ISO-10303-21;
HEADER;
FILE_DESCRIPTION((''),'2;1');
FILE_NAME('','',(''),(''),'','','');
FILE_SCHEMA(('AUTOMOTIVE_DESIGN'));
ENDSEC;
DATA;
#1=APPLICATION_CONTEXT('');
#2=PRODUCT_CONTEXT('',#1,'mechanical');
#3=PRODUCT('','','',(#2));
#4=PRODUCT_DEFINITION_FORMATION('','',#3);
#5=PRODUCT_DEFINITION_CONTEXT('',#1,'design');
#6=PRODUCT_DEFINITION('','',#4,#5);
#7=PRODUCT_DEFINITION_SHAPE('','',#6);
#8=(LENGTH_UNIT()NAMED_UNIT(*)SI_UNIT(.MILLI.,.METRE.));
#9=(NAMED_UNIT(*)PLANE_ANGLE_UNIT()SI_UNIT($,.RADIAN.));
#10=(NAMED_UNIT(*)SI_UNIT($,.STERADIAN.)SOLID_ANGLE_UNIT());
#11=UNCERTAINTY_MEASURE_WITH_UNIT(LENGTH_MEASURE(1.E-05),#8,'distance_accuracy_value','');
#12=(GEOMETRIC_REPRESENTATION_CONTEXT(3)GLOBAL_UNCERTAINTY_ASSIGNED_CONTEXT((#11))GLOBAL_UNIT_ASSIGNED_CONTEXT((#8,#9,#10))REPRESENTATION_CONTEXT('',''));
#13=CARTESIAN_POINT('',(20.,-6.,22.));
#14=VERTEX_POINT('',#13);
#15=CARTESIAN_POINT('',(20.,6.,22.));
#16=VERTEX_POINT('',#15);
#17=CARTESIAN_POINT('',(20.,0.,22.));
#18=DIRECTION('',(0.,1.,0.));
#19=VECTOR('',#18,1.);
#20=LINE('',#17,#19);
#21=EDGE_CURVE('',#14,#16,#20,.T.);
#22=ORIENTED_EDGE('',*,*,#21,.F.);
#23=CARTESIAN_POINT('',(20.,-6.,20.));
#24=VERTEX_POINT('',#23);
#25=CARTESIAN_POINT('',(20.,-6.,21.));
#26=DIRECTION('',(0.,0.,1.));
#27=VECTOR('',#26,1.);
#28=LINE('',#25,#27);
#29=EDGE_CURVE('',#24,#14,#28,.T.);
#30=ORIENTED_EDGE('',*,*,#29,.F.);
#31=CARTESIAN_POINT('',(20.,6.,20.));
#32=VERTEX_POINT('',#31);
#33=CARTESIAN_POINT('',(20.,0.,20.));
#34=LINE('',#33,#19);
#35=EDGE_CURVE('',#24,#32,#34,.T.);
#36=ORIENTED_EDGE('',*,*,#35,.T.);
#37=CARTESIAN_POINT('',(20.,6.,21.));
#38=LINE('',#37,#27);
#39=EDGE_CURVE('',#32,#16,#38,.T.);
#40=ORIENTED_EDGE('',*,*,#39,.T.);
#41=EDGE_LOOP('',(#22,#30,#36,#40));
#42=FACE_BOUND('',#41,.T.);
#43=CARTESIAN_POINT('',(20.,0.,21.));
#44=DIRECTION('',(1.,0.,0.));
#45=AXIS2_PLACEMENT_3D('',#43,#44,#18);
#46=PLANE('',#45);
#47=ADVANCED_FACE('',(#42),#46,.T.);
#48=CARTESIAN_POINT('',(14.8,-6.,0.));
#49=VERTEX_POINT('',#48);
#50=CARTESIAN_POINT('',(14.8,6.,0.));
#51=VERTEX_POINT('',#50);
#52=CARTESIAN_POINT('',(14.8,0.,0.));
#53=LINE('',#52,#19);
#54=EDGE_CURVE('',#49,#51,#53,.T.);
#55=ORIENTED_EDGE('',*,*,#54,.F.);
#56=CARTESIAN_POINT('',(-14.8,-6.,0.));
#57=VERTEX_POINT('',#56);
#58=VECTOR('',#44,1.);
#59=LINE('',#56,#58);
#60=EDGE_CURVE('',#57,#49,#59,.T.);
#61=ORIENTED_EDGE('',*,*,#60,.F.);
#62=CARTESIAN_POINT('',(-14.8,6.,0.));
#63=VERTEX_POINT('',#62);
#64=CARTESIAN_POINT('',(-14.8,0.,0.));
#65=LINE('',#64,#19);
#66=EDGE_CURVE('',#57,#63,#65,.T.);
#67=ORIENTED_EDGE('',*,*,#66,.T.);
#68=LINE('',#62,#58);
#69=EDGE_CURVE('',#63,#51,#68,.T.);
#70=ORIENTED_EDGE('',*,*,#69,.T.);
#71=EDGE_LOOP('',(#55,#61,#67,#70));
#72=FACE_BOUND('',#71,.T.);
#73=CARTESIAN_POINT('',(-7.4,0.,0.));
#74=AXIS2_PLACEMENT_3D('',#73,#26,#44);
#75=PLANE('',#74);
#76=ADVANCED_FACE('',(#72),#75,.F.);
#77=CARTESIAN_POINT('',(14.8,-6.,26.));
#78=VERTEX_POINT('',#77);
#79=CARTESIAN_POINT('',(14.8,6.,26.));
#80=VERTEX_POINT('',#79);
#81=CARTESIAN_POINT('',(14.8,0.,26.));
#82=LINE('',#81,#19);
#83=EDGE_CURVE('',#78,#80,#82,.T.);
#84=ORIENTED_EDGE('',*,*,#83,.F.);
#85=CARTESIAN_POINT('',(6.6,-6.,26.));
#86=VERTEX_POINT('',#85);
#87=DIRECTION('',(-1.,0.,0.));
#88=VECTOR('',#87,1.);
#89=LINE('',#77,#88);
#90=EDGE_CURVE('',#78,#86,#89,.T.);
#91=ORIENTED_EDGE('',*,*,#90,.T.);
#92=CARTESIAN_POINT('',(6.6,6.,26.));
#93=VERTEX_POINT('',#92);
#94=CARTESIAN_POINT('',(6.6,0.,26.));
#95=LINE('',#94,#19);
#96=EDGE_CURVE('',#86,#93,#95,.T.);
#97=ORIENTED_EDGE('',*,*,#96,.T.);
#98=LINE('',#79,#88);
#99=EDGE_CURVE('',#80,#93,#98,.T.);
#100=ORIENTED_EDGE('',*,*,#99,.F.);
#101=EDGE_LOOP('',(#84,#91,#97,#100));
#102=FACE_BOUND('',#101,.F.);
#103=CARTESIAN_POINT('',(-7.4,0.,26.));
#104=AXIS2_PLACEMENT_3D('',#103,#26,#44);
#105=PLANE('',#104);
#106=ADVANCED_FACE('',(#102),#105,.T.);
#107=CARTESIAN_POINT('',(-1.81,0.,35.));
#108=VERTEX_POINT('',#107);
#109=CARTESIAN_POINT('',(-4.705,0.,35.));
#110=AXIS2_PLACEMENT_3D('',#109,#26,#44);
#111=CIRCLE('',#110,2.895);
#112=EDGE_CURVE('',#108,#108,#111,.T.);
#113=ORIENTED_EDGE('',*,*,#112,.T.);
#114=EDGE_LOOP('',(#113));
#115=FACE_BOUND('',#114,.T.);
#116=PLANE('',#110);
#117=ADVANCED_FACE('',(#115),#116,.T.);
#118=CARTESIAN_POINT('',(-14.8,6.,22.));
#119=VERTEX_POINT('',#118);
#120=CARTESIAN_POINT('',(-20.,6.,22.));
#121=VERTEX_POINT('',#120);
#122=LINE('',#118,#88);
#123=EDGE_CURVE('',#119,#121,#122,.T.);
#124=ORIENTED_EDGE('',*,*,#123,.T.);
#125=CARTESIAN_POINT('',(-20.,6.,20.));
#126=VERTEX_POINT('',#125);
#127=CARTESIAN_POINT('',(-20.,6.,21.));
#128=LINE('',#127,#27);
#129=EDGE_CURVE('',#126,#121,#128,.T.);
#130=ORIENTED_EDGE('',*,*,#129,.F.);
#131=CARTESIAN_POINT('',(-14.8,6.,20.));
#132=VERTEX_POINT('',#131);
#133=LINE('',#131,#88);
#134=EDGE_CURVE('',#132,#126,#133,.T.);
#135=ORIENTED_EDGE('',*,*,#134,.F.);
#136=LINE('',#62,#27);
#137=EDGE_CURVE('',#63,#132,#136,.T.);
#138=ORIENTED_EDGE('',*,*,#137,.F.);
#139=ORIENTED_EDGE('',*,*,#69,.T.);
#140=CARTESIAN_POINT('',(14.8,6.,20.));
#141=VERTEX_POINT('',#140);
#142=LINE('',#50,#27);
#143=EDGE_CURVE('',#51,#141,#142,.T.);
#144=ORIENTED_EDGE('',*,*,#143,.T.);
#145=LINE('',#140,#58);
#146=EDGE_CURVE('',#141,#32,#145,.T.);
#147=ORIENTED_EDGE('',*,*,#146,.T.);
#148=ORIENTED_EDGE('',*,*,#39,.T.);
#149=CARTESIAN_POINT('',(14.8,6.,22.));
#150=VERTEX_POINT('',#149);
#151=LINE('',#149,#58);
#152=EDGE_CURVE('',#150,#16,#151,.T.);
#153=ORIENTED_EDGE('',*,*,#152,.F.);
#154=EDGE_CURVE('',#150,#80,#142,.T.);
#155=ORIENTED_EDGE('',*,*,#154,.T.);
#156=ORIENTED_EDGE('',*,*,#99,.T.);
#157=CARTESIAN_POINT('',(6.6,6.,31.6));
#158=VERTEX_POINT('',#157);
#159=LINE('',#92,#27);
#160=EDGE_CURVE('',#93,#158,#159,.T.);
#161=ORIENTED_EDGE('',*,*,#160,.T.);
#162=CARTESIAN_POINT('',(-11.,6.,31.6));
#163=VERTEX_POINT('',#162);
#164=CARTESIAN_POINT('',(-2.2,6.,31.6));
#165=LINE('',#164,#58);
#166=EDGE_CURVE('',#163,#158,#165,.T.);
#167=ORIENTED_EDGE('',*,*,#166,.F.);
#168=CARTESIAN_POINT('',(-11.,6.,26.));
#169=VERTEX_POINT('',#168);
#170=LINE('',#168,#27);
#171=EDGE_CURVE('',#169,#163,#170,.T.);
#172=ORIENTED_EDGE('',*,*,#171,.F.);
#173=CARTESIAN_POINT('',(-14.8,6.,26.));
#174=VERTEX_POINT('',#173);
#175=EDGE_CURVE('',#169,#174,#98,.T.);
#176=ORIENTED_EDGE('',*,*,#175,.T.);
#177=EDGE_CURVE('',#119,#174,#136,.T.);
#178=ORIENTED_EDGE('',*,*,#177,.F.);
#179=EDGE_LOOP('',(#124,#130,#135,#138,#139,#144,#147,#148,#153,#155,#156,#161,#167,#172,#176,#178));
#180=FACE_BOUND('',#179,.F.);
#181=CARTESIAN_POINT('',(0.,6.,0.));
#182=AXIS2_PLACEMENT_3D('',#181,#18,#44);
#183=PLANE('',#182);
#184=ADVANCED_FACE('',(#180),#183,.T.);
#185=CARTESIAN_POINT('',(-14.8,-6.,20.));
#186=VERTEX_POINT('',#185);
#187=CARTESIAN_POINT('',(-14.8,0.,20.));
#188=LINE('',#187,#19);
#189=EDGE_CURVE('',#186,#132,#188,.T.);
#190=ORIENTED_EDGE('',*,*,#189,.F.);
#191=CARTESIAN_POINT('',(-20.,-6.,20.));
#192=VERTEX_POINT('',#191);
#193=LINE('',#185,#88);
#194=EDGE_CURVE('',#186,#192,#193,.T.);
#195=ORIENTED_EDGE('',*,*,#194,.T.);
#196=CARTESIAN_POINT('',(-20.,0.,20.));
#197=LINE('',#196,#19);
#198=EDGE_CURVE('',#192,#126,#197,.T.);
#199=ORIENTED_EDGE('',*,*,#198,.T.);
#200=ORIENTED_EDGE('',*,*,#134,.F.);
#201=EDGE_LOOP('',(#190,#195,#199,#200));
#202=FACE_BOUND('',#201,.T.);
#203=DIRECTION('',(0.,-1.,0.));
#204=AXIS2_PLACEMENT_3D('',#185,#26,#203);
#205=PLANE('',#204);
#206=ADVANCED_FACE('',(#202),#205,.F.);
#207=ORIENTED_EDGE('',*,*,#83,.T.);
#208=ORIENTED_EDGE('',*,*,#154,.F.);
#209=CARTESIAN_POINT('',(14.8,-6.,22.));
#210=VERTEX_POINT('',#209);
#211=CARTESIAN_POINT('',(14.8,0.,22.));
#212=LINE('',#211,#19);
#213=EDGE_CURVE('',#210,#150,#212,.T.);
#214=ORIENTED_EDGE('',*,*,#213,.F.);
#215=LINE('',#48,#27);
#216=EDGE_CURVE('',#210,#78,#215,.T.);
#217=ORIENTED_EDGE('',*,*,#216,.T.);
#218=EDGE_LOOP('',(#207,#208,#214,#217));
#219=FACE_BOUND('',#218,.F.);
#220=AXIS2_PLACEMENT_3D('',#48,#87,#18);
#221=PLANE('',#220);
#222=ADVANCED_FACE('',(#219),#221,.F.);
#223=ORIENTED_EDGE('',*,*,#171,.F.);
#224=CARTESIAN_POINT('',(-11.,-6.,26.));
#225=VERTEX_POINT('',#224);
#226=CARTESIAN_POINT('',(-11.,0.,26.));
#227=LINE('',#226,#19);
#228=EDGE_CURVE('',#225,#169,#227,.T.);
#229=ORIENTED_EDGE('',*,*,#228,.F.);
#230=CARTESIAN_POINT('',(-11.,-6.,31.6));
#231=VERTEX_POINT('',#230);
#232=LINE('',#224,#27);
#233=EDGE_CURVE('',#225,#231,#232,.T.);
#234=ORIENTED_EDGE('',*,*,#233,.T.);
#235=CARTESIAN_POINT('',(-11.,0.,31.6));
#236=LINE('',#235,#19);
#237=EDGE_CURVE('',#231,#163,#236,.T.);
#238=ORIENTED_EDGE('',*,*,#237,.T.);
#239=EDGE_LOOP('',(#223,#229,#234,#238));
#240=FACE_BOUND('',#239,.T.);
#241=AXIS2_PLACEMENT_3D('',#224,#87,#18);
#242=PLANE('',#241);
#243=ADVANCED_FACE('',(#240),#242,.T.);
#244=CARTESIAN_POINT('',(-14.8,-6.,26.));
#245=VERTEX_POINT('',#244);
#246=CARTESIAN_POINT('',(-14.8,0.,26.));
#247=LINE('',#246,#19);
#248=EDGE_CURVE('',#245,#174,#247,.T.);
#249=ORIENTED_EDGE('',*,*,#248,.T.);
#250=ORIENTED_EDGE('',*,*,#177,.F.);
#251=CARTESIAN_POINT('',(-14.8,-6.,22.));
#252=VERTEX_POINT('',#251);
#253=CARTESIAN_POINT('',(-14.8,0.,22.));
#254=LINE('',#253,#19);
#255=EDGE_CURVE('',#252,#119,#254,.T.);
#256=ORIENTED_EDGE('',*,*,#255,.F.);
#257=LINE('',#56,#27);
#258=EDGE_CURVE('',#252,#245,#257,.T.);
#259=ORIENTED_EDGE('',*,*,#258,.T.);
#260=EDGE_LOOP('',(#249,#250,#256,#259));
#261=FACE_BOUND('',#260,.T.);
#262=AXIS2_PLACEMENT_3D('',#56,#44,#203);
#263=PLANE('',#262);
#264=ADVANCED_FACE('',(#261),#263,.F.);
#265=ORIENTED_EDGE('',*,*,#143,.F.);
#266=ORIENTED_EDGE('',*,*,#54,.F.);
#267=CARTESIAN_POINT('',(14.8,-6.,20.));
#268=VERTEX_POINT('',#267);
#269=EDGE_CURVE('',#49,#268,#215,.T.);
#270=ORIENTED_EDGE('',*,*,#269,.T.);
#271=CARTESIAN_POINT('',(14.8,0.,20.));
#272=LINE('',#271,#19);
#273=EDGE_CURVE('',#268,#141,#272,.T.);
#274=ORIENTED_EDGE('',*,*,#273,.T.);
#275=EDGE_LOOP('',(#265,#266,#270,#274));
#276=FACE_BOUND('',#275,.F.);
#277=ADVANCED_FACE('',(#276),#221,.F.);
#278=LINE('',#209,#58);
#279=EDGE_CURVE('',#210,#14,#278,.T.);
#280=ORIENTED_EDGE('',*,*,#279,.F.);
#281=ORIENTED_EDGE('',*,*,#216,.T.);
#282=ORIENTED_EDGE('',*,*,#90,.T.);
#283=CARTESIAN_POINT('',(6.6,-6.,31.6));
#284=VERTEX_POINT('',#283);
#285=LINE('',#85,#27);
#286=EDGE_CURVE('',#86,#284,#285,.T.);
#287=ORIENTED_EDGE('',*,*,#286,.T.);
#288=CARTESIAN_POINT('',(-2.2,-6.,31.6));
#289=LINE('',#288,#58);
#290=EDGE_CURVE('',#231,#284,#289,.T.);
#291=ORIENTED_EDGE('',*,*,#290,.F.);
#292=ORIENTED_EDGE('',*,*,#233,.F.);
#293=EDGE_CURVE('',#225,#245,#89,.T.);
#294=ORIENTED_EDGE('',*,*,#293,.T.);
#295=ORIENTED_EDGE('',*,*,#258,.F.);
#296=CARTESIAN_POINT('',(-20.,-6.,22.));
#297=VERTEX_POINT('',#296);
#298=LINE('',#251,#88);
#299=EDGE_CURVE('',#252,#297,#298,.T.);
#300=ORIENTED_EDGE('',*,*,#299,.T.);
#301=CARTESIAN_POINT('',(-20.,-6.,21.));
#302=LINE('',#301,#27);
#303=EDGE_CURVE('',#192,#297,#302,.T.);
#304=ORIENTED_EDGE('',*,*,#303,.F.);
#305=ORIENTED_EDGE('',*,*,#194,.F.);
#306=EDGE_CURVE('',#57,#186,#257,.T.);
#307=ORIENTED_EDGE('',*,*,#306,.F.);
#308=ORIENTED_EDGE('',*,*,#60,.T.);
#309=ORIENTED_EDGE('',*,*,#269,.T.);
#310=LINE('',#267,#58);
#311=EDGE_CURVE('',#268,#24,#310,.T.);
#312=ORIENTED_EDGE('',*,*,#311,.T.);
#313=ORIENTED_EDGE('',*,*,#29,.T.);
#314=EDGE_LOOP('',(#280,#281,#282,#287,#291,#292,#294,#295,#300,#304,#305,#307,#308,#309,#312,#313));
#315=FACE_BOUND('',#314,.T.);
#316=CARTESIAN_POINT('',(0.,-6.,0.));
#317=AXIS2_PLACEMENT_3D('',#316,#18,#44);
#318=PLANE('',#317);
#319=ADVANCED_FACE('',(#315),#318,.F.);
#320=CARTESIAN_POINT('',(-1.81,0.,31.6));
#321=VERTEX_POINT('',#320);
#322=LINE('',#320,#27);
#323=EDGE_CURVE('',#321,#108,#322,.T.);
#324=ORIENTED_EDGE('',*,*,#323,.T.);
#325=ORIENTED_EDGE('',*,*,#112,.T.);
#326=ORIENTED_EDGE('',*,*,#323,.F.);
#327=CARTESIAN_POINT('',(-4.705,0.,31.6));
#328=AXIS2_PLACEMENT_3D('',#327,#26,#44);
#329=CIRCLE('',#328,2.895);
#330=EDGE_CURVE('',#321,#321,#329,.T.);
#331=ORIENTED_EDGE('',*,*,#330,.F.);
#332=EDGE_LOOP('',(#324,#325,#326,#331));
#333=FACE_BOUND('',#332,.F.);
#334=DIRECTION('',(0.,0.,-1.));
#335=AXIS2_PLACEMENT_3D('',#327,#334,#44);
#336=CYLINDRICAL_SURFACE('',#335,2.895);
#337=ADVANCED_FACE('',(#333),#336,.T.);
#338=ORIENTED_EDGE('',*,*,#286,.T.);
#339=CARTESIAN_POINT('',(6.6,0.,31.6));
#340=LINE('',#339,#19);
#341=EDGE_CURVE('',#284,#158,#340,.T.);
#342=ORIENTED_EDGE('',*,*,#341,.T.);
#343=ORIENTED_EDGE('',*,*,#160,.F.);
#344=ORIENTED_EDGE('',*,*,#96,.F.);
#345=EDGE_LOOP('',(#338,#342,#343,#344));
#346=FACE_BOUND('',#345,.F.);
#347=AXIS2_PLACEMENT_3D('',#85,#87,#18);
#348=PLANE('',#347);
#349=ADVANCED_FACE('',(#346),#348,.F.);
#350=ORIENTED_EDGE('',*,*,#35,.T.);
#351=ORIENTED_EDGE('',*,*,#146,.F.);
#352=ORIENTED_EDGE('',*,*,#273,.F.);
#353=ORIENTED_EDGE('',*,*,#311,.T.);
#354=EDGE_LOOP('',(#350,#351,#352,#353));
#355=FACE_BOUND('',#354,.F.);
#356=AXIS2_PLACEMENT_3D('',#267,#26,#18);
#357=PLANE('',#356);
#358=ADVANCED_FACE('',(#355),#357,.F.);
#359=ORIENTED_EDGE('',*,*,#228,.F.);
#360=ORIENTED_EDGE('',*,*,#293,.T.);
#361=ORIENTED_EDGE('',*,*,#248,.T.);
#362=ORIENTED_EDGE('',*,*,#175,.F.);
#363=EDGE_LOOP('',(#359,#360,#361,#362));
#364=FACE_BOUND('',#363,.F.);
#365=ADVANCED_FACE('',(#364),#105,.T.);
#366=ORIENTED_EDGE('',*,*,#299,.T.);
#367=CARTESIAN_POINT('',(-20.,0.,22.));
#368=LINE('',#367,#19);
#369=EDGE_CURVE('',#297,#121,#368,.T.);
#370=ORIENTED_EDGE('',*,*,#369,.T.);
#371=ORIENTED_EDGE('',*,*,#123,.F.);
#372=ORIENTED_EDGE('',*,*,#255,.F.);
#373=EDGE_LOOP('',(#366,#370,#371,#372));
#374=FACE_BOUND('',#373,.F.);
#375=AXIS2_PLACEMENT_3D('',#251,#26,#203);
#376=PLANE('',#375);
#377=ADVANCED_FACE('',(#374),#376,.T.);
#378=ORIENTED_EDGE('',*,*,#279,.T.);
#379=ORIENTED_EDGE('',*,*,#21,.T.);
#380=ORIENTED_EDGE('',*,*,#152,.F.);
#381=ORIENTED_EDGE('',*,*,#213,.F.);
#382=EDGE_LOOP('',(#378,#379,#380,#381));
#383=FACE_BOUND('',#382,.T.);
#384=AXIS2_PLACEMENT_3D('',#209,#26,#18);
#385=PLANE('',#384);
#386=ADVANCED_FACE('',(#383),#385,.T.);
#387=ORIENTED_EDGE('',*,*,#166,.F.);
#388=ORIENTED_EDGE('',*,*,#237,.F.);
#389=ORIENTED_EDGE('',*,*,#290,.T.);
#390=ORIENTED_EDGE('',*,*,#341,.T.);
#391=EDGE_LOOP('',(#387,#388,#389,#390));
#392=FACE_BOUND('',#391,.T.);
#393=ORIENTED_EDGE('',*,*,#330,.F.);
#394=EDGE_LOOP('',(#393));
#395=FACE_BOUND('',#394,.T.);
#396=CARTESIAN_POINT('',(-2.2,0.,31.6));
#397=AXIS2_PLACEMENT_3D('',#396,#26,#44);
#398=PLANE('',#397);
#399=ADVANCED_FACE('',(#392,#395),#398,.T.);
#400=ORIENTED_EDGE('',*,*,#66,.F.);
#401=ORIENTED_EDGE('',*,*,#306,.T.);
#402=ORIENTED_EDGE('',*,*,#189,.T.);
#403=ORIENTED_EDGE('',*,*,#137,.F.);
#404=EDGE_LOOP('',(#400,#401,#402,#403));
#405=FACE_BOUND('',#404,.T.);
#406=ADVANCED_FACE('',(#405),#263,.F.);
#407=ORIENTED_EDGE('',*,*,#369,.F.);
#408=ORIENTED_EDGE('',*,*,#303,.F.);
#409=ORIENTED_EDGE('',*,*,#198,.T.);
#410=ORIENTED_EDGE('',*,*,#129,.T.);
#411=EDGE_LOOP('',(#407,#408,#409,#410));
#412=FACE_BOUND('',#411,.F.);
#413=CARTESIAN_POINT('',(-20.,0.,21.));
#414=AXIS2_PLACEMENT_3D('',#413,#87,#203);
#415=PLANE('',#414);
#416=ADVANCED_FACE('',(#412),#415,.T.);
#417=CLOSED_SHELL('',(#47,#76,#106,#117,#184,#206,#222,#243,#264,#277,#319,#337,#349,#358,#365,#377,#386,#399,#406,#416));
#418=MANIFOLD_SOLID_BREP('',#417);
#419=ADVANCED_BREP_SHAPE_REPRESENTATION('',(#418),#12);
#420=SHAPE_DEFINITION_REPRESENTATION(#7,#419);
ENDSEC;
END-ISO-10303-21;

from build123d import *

# Parameters (mm, degrees)
F0_W     = 14.8
F0_H     = 12
F1_DEPTH = 26
F2_W     = 12
F2_H     = 2
F3_DEPTH = 5.2
F5_W     = 17.6
F5_H     = 12
F6_DEPTH = 5.6
F7_R     = 2.895
F8_DEPTH = 3.4


with BuildPart() as f1:
    # F0 (on Top) → F1 (new body)
    with BuildSketch(Plane.XY):
        with Locations((7.4, 0)):
            Rectangle(F0_W, F0_H)
    extrude(amount=F1_DEPTH)

    # F2 (on face) → F3 (join)
    with BuildSketch(Plane.YZ.offset(14.8)):
        with Locations((0, 21)):
            Rectangle(F2_W, F2_H)
    extrude(amount=F3_DEPTH)

    # F4: F1 across plane


with BuildPart() as f1_1:
    add(f1.part)
    add(f1.part.mirror(Plane.YZ))

    # F5 (on face) → F6 (join)
    with BuildSketch(Plane.XY.offset(26)):
        with Locations((-2.2, 0)):
            Rectangle(F5_W, F5_H)
    extrude(amount=F6_DEPTH)

    # F7 (on face) → F8 (join)
    with BuildSketch(Plane.XY.offset(31.6)):
        with Locations((-4.705, 0)):
            Circle(F7_R)
    extrude(amount=F8_DEPTH)


solid = f1_1.part
